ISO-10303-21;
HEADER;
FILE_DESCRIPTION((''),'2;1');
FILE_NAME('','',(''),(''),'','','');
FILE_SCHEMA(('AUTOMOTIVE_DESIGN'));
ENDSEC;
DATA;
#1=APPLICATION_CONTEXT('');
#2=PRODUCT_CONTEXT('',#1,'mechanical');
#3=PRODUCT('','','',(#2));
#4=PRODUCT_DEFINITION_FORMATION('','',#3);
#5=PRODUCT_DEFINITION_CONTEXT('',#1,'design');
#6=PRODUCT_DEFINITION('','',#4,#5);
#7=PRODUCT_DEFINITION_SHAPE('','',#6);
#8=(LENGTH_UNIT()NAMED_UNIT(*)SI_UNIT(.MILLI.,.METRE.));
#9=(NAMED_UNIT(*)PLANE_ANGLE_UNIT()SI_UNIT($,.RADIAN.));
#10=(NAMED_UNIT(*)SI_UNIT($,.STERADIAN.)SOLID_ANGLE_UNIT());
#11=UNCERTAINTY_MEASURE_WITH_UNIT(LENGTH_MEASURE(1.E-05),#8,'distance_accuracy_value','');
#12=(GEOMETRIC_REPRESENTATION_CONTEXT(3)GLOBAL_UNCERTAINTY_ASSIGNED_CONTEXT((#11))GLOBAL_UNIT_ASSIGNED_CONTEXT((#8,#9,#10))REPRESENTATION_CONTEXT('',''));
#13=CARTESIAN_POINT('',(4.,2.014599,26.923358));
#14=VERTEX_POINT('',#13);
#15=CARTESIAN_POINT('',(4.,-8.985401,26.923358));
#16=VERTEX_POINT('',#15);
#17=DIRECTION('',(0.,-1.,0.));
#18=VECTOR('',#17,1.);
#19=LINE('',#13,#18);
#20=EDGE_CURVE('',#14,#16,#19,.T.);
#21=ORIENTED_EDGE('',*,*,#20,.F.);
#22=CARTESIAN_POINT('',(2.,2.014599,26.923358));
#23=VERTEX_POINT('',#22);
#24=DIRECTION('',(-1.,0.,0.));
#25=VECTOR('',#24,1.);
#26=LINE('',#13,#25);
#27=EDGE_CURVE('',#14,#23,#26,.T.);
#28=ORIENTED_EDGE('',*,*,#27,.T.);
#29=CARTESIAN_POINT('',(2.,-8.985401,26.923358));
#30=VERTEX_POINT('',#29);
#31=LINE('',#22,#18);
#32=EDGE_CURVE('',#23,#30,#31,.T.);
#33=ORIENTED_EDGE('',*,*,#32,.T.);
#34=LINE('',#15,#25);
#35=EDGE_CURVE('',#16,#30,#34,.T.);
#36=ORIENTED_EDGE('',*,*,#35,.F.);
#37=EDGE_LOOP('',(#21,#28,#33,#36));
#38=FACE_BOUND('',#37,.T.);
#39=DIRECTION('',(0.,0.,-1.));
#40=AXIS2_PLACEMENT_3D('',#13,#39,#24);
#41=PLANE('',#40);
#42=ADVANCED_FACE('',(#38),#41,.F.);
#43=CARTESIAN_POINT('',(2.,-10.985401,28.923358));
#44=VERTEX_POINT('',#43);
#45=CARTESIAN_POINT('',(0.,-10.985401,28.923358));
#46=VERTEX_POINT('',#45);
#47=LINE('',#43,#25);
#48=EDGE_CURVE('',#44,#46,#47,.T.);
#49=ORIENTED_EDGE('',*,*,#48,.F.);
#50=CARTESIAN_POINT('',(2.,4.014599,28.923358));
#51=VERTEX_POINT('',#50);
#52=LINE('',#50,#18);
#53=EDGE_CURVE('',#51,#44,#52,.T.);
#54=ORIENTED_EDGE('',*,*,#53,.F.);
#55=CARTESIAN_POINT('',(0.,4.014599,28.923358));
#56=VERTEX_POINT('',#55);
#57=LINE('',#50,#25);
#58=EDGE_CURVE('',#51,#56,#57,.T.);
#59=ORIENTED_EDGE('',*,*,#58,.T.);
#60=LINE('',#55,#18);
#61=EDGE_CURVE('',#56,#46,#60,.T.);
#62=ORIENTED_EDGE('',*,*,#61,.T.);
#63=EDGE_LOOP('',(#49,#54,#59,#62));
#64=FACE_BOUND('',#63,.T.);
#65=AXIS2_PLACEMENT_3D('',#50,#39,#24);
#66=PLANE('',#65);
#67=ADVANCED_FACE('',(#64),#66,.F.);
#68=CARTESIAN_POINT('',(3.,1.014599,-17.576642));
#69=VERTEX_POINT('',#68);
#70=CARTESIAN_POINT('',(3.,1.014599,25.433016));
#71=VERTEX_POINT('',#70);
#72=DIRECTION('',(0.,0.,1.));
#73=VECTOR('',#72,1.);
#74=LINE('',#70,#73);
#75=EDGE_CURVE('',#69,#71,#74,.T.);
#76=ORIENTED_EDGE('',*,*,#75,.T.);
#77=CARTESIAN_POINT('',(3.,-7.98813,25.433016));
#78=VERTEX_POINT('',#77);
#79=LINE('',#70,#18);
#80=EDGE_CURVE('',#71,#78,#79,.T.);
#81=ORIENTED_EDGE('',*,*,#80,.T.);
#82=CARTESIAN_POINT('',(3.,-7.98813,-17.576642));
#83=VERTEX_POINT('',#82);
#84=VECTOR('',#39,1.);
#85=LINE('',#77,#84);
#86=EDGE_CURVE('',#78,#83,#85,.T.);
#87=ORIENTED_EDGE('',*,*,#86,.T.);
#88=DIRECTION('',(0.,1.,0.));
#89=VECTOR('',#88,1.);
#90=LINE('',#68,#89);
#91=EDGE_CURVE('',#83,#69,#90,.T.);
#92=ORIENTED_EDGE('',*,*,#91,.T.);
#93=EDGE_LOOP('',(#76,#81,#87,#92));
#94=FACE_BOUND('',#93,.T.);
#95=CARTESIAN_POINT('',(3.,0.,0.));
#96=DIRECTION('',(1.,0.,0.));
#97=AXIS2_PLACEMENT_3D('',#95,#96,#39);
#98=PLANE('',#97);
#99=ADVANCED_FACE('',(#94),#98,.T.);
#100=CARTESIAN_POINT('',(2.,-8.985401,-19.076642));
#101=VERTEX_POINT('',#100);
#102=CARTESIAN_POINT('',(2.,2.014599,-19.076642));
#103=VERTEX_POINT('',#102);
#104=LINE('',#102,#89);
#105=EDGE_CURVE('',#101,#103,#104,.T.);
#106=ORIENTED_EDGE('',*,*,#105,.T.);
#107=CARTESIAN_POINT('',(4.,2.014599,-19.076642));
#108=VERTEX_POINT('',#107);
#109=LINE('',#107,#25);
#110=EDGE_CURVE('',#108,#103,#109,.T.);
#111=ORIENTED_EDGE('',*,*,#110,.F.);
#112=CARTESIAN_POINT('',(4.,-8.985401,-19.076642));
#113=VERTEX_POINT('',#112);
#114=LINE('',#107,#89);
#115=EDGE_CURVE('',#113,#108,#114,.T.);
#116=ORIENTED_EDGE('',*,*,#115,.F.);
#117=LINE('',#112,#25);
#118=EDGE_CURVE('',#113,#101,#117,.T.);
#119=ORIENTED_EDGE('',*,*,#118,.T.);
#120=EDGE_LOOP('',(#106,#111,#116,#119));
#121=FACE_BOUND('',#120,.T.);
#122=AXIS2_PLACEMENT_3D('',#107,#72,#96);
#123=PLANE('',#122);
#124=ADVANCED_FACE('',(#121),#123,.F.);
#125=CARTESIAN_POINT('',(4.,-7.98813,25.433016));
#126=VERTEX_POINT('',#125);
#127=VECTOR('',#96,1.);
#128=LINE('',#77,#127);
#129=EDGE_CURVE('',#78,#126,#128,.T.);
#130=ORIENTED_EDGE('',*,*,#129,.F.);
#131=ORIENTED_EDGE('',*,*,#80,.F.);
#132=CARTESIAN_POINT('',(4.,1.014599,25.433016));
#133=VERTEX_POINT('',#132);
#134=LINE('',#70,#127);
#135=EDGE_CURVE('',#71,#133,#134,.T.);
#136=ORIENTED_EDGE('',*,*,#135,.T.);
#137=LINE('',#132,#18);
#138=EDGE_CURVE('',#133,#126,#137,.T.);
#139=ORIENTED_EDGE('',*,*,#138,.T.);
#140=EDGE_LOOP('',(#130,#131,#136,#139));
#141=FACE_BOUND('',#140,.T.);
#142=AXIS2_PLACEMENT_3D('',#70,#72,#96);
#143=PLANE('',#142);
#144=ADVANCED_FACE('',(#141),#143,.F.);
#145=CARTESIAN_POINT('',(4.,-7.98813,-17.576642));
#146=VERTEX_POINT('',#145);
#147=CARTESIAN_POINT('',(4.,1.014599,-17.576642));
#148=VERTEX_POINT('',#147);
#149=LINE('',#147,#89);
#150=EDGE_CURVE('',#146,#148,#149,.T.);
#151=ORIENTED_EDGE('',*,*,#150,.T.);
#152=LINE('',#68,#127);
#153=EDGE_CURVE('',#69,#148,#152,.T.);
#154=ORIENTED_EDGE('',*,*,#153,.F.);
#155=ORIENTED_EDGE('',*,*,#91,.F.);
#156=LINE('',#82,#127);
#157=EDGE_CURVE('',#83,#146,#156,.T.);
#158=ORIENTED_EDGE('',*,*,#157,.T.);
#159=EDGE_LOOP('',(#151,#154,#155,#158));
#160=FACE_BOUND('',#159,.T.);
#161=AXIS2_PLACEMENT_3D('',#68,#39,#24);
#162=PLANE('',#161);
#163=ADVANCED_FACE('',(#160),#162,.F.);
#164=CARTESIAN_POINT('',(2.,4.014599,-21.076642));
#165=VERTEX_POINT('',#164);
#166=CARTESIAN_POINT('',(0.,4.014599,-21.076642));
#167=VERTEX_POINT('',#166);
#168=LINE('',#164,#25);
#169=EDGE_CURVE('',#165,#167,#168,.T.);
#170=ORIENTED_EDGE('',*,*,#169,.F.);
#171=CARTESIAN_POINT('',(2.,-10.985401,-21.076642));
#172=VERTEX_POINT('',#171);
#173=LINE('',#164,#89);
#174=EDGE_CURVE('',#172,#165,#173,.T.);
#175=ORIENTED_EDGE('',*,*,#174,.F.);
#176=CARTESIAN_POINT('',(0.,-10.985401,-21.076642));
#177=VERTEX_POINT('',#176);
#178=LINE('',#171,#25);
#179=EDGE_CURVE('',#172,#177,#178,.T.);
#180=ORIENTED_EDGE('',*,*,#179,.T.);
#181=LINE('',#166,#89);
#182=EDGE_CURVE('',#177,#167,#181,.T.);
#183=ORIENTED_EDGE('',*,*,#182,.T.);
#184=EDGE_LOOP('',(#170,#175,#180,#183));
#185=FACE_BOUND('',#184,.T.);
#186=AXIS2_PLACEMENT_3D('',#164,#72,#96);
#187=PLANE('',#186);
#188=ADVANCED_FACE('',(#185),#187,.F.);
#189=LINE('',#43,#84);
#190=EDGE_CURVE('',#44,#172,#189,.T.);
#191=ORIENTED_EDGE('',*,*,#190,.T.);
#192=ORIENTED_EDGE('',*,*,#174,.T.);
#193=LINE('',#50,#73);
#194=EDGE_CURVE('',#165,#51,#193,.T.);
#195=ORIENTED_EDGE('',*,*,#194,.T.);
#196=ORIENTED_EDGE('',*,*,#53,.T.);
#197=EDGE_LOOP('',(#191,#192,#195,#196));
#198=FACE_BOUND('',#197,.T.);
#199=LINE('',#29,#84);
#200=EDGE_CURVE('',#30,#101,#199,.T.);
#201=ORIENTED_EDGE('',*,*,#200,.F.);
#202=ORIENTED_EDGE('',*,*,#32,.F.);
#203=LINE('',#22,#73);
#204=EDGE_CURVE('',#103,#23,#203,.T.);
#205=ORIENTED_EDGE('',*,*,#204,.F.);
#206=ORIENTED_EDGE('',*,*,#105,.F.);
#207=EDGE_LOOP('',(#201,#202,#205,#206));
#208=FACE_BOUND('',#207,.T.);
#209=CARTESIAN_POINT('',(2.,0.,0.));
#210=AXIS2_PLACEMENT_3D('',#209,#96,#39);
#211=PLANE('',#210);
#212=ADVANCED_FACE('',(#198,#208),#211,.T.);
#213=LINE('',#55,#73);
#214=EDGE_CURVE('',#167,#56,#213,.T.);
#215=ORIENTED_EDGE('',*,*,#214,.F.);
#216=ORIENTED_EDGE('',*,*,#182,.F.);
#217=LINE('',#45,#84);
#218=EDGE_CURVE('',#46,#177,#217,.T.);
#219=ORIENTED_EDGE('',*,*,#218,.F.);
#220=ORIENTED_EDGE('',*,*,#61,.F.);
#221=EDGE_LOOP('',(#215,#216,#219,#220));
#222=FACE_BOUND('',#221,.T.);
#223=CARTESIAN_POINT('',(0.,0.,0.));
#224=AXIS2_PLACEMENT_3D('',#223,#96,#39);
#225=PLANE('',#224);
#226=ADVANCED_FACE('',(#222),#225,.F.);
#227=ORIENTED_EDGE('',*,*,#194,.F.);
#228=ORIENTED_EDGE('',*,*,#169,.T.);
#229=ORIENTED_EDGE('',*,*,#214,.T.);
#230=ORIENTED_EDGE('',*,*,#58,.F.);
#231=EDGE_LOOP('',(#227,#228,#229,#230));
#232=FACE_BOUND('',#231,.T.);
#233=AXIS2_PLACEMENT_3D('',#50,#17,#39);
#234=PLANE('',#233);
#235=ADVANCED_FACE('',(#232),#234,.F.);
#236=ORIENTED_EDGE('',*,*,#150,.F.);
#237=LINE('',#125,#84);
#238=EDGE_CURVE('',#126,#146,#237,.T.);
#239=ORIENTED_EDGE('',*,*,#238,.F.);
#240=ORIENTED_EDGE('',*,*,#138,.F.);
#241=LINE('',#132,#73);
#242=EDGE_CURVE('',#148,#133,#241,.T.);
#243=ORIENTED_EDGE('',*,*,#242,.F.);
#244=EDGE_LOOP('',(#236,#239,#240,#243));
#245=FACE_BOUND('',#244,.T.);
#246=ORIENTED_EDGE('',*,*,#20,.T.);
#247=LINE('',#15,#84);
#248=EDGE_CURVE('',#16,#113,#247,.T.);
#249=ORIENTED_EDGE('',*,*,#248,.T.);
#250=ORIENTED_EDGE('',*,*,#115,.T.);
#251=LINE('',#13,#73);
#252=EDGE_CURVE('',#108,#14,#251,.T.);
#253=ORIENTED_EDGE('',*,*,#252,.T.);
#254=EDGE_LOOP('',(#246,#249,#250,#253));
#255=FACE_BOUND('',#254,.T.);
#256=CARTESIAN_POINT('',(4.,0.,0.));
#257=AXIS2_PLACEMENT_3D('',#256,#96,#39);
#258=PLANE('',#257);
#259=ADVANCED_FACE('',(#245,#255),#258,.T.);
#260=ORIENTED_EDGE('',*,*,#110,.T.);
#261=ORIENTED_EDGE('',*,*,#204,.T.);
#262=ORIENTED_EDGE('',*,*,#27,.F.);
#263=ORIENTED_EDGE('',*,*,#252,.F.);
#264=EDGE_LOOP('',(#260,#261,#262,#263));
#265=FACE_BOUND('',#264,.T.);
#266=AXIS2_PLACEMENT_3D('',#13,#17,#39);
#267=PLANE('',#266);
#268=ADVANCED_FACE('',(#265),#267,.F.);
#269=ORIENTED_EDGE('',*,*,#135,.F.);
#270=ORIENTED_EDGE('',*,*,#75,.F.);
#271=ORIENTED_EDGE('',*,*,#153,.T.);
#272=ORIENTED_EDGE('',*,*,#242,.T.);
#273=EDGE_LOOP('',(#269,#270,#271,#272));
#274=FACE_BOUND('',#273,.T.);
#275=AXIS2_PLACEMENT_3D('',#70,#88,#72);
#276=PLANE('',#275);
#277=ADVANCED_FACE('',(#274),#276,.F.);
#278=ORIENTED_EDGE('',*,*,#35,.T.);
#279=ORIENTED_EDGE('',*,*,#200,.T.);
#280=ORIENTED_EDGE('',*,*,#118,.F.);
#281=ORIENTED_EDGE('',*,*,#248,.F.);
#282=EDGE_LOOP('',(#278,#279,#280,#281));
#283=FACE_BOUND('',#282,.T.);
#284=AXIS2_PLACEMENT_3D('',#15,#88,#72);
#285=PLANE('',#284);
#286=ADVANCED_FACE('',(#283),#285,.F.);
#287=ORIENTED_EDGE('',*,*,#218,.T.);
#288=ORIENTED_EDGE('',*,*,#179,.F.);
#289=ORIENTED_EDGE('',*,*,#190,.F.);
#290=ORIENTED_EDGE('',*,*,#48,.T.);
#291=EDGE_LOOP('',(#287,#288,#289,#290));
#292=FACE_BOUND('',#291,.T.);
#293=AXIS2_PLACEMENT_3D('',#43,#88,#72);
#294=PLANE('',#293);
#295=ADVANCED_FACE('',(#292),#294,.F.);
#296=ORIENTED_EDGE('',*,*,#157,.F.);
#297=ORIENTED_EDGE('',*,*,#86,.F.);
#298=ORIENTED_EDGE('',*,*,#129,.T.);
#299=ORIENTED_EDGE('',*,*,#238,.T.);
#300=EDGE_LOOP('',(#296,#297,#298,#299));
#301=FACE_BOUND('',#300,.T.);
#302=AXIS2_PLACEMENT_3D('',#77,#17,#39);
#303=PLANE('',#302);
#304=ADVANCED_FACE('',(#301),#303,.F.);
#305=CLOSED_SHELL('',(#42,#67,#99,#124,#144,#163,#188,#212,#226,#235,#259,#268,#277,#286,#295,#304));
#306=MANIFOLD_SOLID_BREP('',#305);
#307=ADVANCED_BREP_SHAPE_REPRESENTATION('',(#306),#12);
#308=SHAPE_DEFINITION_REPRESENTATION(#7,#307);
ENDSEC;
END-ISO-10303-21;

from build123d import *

# Parameters (mm, degrees)
SKETCH2_W           = 50
SKETCH2_H           = 15
BOSS_EXTRUDE1_DEPTH = 2
SKETCH4_W           = 46
SKETCH4_H           = 11
BOSS_EXTRUDE2_DEPTH = 2
SKETCH5_W           = 43.009657984
SKETCH5_H           = 9.00272897
CUT_EXTRUDE1_DEPTH  = 1


with BuildPart() as part:
    # Sketch2 → Boss-Extrude1 (new body)
    with BuildSketch(Plane(origin=(0, 0, 0), x_dir=(0, 0, -1), z_dir=(1, 0, 0))):
        with Locations((-3.923357664, -3.48540146)):
            Rectangle(SKETCH2_W, SKETCH2_H)
    extrude(amount=BOSS_EXTRUDE1_DEPTH)

    # Sketch4 → Boss-Extrude2 (add)
    with BuildSketch(Plane(origin=(2, 0, 0), x_dir=(0, 0, -1), z_dir=(1, 0, 0))):
        with Locations((-3.923357664, -3.48540146)):
            Rectangle(SKETCH4_W, SKETCH4_H)
    extrude(amount=BOSS_EXTRUDE2_DEPTH)

    # Sketch5 → Cut-Extrude1 (cut)
    with BuildSketch(Plane(origin=(4, 0, 0), x_dir=(0, 0, -1), z_dir=(1, 0, 0))):
        with Locations((-3.928186656, -3.486765945)):
            Rectangle(SKETCH5_W, SKETCH5_H)
    extrude(amount=-CUT_EXTRUDE1_DEPTH, mode=Mode.SUBTRACT)


solid = part.part
